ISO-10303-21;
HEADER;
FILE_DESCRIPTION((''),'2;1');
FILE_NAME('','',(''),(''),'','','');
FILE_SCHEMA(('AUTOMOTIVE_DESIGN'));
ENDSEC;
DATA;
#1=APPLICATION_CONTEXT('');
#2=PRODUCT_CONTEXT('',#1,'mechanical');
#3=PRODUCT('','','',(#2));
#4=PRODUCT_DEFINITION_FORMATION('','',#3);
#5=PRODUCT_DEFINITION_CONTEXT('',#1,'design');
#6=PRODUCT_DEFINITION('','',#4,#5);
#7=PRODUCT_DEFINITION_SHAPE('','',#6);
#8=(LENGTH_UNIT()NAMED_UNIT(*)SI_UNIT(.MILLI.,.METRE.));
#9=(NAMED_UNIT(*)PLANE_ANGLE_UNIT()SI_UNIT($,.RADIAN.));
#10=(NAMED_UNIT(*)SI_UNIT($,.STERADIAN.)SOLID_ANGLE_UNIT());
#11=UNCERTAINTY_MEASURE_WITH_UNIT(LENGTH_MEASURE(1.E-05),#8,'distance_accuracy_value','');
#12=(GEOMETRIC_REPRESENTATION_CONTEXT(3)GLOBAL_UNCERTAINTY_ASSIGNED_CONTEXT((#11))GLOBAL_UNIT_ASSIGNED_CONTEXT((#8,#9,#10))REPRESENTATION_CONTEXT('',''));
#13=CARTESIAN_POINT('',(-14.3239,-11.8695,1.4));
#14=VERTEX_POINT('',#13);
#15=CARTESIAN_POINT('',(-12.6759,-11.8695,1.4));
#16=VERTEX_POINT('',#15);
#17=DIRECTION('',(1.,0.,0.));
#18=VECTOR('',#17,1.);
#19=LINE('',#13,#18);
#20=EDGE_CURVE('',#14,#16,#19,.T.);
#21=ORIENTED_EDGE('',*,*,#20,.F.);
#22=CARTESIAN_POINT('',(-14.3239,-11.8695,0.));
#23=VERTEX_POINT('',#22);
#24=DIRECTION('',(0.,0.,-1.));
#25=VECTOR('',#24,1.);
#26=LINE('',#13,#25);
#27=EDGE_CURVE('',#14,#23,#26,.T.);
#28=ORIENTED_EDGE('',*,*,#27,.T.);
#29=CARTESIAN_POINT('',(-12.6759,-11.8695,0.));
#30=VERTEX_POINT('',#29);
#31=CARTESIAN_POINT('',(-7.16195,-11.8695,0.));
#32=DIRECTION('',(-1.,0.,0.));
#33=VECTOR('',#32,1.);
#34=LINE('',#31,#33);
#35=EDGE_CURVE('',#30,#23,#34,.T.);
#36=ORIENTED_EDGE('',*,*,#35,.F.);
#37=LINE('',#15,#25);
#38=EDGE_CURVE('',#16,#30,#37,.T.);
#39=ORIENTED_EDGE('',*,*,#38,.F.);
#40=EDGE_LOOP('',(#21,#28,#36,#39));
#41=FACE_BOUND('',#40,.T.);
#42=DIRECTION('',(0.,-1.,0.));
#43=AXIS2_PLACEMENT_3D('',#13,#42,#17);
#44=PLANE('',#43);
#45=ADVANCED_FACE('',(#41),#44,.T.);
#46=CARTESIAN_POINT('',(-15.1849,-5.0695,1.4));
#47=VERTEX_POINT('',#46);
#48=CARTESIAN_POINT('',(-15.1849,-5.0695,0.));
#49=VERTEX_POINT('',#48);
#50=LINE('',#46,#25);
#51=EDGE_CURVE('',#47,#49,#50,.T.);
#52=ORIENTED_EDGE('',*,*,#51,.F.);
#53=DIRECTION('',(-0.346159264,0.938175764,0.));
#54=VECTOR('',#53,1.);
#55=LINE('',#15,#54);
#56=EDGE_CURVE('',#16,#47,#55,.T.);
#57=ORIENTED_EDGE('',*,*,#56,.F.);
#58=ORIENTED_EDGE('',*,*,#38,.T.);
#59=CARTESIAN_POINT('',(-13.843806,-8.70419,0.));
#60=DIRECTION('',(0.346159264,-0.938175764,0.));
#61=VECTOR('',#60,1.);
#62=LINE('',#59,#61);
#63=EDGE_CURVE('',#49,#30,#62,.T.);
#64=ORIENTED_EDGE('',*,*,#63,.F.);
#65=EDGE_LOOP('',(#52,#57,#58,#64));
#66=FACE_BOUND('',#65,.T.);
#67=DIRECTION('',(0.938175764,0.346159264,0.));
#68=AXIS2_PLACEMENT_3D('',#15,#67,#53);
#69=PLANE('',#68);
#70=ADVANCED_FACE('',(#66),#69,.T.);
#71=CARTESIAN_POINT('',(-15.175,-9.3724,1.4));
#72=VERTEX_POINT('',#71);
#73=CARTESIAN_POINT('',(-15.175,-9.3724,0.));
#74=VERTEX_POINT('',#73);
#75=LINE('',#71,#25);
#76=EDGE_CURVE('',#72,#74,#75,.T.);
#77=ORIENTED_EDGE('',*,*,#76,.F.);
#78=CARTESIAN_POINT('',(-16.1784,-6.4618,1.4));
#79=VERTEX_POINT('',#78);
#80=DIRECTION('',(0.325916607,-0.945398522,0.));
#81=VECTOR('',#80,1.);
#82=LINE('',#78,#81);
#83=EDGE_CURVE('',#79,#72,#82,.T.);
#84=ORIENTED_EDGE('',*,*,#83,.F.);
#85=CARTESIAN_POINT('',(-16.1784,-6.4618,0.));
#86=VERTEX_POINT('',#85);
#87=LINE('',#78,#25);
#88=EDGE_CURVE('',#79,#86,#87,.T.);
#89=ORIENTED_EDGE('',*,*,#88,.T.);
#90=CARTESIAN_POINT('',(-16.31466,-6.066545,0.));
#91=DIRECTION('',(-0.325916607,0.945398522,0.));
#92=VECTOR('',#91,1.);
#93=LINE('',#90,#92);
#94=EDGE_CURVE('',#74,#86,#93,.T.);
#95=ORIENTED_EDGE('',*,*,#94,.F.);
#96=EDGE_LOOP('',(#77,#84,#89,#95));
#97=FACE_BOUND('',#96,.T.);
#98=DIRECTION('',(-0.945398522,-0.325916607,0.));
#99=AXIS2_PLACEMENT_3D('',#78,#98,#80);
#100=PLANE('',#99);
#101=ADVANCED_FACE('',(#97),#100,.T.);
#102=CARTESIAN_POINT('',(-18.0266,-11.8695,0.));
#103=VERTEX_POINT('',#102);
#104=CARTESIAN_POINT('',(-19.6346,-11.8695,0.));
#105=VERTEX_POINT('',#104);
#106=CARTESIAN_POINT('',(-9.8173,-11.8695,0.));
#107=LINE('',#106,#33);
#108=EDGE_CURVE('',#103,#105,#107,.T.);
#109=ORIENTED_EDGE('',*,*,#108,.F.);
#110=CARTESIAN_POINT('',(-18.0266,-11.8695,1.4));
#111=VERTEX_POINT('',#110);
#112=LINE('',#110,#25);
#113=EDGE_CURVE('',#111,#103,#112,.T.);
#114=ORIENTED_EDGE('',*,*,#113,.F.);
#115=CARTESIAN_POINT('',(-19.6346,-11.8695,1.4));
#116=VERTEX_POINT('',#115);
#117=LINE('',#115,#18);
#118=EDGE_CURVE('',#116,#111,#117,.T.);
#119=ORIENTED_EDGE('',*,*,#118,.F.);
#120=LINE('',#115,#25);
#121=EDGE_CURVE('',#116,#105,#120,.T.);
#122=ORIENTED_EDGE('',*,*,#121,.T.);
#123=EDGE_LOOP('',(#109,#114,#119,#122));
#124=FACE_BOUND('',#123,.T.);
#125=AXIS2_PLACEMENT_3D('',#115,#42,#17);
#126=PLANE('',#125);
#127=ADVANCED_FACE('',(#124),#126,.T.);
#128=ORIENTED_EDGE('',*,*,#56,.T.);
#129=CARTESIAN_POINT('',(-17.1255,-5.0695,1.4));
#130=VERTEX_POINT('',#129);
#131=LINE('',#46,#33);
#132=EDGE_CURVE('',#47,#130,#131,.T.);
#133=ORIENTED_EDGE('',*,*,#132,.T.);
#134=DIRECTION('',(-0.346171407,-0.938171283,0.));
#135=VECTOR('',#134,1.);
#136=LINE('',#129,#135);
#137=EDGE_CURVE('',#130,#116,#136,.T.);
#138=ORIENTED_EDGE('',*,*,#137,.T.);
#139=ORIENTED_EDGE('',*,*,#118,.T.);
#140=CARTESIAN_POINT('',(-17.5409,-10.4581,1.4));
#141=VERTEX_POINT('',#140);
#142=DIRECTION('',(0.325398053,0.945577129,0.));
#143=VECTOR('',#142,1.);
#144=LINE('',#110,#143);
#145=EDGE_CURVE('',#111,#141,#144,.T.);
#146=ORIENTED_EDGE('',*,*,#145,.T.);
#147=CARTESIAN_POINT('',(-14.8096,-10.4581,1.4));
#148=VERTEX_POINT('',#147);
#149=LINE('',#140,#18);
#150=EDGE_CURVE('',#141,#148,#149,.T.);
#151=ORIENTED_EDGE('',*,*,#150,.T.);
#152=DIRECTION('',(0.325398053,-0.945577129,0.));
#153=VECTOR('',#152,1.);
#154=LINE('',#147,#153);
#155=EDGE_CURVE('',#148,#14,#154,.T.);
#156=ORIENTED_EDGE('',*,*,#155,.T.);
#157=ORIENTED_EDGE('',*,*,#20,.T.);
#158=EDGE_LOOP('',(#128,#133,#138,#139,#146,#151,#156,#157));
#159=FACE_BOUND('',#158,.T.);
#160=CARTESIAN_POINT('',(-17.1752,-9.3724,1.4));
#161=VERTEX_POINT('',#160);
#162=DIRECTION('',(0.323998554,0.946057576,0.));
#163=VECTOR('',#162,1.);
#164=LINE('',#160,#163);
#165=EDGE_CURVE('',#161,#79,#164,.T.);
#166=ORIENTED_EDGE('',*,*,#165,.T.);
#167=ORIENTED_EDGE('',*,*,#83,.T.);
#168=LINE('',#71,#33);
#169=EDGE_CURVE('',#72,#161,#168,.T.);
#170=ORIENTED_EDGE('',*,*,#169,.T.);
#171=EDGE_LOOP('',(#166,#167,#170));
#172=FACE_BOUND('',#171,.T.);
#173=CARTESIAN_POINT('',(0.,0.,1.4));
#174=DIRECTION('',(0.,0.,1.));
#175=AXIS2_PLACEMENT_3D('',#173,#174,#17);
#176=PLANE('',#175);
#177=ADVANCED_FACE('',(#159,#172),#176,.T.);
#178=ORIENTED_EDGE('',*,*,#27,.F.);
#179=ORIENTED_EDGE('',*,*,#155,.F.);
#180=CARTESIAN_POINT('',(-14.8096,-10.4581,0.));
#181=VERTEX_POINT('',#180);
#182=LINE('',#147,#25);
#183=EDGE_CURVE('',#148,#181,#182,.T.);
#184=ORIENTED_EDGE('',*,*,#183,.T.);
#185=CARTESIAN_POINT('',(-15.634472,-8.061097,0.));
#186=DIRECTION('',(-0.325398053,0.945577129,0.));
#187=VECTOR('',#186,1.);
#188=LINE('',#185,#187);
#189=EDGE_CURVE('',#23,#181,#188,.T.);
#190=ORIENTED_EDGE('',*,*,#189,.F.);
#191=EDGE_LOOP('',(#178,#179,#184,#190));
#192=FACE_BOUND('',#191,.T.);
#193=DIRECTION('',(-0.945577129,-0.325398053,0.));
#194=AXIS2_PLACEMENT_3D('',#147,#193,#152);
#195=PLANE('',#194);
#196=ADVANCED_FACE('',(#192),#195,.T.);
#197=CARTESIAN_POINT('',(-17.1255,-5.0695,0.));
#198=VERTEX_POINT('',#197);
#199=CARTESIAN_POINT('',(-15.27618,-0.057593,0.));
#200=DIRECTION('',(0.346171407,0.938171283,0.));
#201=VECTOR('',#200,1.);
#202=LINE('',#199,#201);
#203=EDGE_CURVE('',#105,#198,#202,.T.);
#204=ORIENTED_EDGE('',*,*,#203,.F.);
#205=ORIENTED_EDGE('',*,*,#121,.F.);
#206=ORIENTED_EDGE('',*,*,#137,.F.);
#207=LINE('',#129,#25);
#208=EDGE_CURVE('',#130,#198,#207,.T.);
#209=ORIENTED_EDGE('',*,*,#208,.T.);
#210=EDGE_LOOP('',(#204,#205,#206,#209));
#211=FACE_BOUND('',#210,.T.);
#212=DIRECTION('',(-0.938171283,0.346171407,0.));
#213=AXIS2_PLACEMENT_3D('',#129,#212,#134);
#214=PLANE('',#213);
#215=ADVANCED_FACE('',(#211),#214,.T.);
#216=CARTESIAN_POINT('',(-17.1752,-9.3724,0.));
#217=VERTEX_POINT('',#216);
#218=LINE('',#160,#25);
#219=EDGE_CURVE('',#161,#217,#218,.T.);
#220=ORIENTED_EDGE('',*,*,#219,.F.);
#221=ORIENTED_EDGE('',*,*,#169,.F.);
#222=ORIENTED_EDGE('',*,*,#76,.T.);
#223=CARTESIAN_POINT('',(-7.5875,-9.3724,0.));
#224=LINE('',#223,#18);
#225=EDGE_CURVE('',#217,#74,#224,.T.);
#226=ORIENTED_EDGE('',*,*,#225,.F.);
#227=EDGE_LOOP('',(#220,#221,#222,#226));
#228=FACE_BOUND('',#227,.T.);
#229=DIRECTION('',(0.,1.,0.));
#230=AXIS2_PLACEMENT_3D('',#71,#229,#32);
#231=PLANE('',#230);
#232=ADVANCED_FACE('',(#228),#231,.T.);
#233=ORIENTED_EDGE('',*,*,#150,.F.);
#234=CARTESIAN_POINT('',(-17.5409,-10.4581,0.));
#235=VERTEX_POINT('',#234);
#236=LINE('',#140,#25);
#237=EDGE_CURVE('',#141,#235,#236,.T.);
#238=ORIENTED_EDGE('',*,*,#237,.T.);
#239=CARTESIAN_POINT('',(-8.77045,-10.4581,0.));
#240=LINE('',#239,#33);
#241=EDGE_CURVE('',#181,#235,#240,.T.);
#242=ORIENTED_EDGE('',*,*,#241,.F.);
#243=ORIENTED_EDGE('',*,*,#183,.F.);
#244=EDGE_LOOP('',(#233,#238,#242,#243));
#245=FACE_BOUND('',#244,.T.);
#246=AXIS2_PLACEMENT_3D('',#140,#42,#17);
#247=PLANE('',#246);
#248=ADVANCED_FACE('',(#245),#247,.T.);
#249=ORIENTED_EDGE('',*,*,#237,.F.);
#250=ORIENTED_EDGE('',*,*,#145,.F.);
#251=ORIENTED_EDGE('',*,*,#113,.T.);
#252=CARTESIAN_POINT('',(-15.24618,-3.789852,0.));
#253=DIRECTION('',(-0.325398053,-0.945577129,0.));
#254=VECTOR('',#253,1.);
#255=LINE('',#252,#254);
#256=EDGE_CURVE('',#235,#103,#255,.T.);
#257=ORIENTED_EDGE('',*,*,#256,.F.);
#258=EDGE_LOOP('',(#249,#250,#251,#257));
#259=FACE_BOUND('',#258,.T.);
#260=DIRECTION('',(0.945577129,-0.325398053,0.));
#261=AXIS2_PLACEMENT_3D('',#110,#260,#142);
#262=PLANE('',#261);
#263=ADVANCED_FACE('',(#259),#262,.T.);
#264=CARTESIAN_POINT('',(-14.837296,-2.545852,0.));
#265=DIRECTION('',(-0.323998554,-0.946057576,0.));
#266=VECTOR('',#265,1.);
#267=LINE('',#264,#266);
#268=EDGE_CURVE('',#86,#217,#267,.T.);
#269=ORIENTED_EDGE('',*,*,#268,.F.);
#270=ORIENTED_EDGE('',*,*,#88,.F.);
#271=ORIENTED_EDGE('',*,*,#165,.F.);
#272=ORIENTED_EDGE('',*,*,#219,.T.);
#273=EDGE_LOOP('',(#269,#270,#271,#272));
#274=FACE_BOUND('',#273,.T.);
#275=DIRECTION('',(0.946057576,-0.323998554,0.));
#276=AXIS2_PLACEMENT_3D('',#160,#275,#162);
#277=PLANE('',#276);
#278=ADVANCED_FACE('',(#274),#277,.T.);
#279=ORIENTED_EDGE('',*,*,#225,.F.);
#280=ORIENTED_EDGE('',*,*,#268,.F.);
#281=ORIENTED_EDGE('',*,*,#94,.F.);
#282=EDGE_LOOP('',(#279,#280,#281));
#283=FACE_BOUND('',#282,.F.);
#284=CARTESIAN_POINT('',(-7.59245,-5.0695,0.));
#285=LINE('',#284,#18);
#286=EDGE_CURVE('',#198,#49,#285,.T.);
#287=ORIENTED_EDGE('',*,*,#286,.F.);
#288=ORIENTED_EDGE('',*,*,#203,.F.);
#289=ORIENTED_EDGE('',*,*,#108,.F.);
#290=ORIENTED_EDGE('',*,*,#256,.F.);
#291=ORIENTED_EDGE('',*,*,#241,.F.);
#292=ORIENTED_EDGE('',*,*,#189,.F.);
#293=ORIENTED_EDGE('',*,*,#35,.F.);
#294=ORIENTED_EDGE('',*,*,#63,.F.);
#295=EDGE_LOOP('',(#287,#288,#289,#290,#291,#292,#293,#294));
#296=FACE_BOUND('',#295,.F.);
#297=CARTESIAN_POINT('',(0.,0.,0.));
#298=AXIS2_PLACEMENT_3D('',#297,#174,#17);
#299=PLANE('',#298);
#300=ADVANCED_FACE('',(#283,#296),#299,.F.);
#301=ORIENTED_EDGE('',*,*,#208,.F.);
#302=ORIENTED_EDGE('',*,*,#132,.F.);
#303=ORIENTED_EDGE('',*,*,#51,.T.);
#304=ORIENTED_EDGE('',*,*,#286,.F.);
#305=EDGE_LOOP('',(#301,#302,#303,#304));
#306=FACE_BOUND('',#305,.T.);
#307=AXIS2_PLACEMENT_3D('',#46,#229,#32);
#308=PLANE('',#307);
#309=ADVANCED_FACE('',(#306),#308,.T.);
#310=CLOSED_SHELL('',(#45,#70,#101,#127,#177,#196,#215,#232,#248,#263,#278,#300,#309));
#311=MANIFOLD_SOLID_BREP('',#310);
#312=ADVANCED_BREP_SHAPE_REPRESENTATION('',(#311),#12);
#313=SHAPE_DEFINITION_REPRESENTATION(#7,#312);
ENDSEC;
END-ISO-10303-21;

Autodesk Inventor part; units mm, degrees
ref_plane "YZ Plane" through (0, 0, 0) normal (1, 0, 0) x (0, 1, 0)
ref_plane "XZ Plane" through (0, 0, 0) normal (0, 1, 0) x (-1, 0, 0)
ref_plane "XY Plane" through (0, 0, 0) normal (0, 0, 1) x (1, 0, 0)
sketch "Sketch1" plane through (0, 0, 0) normal (0, 0, 1) x (1, 0, 0)
  line L0 (-20, -20) -> (20, -20)
  line L1 (20, -20) -> (20, 20)
  line L2 (20, 20) -> (-20, 20)
  line L3 (-20, 20) -> (-20, -20)
  line L4 (-20, 0) -> (20, 0) construction
  line L5 (0, -28) -> (0, 28) construction
  line L6 (-28, 0) -> (28, 0) construction
  point P0 (0, 0)
  dimension "d0" = 40
extrude "Extrusion1" add sketch "Sketch1" along normal blind 1.4
sketch "Sketch3" plane through (0, 0, 1.4) normal (0, 0, 1) x (1, 0, 0)
  line L0 (20, -20) -> (20, 20) projected
  line L1 (20, 20) -> (-20, 20) projected
  line L2 (-20, 20) -> (-20, -20) projected
  line L3 (-20, -20) -> (20, -20) projected
  line L4 (-19.7781, -11.9695) -> (-17.1952, -4.9695) construction
  line L5 (-17.1952, -4.9695) -> (-15.1152, -4.9695) construction
  line L6 (-15.1152, -4.9695) -> (-12.5324, -11.9695) construction
  line L7 (-16.1781, -6.7695) -> (-17.0352, -9.2724) construction
  line L8 (-15.3152, -9.2724) -> (-16.1781, -6.7695) construction
  line L9 (-17.0352, -9.2724) -> (-15.3152, -9.2724) construction
  line L10 (-14.8809, -10.5581) -> (-17.4695, -10.5581) construction
  line L11 (-17.4695, -10.5581) -> (-17.9552, -11.9695) construction
  line L12 (-17.9552, -11.9695) -> (-19.7781, -11.9695) construction
  line L13 (-14.3952, -11.9695) -> (-14.8809, -10.5581) construction
  line L14 (-12.5324, -11.9695) -> (-14.3952, -11.9695) construction
  line L15 (-17.1255, -5.0695) -> (-19.6346, -11.8695)
  line L16 (-19.6346, -11.8695) -> (-18.0266, -11.8695)
  line L17 (-18.0266, -11.8695) -> (-17.5409, -10.4581)
  line L18 (-17.5409, -10.4581) -> (-14.8096, -10.4581)
  line L19 (-14.8096, -10.4581) -> (-14.3239, -11.8695)
  line L20 (-14.3239, -11.8695) -> (-12.6759, -11.8695)
  line L21 (-12.6759, -11.8695) -> (-15.1849, -5.0695)
  line L22 (-15.1849, -5.0695) -> (-17.1255, -5.0695)
  line L23 (-17.1752, -9.3724) -> (-16.1784, -6.4618)
  line L24 (-16.1784, -6.4618) -> (-15.175, -9.3724)
  line L25 (-15.175, -9.3724) -> (-17.1752, -9.3724)
  point P0 (0, 0)
  dimension "d5" = 0.1
  dimension "d6" = 0.1
extrude "Extrusion2" cut sketch "Sketch3" against normal up to next
properties part number "A_letter"
